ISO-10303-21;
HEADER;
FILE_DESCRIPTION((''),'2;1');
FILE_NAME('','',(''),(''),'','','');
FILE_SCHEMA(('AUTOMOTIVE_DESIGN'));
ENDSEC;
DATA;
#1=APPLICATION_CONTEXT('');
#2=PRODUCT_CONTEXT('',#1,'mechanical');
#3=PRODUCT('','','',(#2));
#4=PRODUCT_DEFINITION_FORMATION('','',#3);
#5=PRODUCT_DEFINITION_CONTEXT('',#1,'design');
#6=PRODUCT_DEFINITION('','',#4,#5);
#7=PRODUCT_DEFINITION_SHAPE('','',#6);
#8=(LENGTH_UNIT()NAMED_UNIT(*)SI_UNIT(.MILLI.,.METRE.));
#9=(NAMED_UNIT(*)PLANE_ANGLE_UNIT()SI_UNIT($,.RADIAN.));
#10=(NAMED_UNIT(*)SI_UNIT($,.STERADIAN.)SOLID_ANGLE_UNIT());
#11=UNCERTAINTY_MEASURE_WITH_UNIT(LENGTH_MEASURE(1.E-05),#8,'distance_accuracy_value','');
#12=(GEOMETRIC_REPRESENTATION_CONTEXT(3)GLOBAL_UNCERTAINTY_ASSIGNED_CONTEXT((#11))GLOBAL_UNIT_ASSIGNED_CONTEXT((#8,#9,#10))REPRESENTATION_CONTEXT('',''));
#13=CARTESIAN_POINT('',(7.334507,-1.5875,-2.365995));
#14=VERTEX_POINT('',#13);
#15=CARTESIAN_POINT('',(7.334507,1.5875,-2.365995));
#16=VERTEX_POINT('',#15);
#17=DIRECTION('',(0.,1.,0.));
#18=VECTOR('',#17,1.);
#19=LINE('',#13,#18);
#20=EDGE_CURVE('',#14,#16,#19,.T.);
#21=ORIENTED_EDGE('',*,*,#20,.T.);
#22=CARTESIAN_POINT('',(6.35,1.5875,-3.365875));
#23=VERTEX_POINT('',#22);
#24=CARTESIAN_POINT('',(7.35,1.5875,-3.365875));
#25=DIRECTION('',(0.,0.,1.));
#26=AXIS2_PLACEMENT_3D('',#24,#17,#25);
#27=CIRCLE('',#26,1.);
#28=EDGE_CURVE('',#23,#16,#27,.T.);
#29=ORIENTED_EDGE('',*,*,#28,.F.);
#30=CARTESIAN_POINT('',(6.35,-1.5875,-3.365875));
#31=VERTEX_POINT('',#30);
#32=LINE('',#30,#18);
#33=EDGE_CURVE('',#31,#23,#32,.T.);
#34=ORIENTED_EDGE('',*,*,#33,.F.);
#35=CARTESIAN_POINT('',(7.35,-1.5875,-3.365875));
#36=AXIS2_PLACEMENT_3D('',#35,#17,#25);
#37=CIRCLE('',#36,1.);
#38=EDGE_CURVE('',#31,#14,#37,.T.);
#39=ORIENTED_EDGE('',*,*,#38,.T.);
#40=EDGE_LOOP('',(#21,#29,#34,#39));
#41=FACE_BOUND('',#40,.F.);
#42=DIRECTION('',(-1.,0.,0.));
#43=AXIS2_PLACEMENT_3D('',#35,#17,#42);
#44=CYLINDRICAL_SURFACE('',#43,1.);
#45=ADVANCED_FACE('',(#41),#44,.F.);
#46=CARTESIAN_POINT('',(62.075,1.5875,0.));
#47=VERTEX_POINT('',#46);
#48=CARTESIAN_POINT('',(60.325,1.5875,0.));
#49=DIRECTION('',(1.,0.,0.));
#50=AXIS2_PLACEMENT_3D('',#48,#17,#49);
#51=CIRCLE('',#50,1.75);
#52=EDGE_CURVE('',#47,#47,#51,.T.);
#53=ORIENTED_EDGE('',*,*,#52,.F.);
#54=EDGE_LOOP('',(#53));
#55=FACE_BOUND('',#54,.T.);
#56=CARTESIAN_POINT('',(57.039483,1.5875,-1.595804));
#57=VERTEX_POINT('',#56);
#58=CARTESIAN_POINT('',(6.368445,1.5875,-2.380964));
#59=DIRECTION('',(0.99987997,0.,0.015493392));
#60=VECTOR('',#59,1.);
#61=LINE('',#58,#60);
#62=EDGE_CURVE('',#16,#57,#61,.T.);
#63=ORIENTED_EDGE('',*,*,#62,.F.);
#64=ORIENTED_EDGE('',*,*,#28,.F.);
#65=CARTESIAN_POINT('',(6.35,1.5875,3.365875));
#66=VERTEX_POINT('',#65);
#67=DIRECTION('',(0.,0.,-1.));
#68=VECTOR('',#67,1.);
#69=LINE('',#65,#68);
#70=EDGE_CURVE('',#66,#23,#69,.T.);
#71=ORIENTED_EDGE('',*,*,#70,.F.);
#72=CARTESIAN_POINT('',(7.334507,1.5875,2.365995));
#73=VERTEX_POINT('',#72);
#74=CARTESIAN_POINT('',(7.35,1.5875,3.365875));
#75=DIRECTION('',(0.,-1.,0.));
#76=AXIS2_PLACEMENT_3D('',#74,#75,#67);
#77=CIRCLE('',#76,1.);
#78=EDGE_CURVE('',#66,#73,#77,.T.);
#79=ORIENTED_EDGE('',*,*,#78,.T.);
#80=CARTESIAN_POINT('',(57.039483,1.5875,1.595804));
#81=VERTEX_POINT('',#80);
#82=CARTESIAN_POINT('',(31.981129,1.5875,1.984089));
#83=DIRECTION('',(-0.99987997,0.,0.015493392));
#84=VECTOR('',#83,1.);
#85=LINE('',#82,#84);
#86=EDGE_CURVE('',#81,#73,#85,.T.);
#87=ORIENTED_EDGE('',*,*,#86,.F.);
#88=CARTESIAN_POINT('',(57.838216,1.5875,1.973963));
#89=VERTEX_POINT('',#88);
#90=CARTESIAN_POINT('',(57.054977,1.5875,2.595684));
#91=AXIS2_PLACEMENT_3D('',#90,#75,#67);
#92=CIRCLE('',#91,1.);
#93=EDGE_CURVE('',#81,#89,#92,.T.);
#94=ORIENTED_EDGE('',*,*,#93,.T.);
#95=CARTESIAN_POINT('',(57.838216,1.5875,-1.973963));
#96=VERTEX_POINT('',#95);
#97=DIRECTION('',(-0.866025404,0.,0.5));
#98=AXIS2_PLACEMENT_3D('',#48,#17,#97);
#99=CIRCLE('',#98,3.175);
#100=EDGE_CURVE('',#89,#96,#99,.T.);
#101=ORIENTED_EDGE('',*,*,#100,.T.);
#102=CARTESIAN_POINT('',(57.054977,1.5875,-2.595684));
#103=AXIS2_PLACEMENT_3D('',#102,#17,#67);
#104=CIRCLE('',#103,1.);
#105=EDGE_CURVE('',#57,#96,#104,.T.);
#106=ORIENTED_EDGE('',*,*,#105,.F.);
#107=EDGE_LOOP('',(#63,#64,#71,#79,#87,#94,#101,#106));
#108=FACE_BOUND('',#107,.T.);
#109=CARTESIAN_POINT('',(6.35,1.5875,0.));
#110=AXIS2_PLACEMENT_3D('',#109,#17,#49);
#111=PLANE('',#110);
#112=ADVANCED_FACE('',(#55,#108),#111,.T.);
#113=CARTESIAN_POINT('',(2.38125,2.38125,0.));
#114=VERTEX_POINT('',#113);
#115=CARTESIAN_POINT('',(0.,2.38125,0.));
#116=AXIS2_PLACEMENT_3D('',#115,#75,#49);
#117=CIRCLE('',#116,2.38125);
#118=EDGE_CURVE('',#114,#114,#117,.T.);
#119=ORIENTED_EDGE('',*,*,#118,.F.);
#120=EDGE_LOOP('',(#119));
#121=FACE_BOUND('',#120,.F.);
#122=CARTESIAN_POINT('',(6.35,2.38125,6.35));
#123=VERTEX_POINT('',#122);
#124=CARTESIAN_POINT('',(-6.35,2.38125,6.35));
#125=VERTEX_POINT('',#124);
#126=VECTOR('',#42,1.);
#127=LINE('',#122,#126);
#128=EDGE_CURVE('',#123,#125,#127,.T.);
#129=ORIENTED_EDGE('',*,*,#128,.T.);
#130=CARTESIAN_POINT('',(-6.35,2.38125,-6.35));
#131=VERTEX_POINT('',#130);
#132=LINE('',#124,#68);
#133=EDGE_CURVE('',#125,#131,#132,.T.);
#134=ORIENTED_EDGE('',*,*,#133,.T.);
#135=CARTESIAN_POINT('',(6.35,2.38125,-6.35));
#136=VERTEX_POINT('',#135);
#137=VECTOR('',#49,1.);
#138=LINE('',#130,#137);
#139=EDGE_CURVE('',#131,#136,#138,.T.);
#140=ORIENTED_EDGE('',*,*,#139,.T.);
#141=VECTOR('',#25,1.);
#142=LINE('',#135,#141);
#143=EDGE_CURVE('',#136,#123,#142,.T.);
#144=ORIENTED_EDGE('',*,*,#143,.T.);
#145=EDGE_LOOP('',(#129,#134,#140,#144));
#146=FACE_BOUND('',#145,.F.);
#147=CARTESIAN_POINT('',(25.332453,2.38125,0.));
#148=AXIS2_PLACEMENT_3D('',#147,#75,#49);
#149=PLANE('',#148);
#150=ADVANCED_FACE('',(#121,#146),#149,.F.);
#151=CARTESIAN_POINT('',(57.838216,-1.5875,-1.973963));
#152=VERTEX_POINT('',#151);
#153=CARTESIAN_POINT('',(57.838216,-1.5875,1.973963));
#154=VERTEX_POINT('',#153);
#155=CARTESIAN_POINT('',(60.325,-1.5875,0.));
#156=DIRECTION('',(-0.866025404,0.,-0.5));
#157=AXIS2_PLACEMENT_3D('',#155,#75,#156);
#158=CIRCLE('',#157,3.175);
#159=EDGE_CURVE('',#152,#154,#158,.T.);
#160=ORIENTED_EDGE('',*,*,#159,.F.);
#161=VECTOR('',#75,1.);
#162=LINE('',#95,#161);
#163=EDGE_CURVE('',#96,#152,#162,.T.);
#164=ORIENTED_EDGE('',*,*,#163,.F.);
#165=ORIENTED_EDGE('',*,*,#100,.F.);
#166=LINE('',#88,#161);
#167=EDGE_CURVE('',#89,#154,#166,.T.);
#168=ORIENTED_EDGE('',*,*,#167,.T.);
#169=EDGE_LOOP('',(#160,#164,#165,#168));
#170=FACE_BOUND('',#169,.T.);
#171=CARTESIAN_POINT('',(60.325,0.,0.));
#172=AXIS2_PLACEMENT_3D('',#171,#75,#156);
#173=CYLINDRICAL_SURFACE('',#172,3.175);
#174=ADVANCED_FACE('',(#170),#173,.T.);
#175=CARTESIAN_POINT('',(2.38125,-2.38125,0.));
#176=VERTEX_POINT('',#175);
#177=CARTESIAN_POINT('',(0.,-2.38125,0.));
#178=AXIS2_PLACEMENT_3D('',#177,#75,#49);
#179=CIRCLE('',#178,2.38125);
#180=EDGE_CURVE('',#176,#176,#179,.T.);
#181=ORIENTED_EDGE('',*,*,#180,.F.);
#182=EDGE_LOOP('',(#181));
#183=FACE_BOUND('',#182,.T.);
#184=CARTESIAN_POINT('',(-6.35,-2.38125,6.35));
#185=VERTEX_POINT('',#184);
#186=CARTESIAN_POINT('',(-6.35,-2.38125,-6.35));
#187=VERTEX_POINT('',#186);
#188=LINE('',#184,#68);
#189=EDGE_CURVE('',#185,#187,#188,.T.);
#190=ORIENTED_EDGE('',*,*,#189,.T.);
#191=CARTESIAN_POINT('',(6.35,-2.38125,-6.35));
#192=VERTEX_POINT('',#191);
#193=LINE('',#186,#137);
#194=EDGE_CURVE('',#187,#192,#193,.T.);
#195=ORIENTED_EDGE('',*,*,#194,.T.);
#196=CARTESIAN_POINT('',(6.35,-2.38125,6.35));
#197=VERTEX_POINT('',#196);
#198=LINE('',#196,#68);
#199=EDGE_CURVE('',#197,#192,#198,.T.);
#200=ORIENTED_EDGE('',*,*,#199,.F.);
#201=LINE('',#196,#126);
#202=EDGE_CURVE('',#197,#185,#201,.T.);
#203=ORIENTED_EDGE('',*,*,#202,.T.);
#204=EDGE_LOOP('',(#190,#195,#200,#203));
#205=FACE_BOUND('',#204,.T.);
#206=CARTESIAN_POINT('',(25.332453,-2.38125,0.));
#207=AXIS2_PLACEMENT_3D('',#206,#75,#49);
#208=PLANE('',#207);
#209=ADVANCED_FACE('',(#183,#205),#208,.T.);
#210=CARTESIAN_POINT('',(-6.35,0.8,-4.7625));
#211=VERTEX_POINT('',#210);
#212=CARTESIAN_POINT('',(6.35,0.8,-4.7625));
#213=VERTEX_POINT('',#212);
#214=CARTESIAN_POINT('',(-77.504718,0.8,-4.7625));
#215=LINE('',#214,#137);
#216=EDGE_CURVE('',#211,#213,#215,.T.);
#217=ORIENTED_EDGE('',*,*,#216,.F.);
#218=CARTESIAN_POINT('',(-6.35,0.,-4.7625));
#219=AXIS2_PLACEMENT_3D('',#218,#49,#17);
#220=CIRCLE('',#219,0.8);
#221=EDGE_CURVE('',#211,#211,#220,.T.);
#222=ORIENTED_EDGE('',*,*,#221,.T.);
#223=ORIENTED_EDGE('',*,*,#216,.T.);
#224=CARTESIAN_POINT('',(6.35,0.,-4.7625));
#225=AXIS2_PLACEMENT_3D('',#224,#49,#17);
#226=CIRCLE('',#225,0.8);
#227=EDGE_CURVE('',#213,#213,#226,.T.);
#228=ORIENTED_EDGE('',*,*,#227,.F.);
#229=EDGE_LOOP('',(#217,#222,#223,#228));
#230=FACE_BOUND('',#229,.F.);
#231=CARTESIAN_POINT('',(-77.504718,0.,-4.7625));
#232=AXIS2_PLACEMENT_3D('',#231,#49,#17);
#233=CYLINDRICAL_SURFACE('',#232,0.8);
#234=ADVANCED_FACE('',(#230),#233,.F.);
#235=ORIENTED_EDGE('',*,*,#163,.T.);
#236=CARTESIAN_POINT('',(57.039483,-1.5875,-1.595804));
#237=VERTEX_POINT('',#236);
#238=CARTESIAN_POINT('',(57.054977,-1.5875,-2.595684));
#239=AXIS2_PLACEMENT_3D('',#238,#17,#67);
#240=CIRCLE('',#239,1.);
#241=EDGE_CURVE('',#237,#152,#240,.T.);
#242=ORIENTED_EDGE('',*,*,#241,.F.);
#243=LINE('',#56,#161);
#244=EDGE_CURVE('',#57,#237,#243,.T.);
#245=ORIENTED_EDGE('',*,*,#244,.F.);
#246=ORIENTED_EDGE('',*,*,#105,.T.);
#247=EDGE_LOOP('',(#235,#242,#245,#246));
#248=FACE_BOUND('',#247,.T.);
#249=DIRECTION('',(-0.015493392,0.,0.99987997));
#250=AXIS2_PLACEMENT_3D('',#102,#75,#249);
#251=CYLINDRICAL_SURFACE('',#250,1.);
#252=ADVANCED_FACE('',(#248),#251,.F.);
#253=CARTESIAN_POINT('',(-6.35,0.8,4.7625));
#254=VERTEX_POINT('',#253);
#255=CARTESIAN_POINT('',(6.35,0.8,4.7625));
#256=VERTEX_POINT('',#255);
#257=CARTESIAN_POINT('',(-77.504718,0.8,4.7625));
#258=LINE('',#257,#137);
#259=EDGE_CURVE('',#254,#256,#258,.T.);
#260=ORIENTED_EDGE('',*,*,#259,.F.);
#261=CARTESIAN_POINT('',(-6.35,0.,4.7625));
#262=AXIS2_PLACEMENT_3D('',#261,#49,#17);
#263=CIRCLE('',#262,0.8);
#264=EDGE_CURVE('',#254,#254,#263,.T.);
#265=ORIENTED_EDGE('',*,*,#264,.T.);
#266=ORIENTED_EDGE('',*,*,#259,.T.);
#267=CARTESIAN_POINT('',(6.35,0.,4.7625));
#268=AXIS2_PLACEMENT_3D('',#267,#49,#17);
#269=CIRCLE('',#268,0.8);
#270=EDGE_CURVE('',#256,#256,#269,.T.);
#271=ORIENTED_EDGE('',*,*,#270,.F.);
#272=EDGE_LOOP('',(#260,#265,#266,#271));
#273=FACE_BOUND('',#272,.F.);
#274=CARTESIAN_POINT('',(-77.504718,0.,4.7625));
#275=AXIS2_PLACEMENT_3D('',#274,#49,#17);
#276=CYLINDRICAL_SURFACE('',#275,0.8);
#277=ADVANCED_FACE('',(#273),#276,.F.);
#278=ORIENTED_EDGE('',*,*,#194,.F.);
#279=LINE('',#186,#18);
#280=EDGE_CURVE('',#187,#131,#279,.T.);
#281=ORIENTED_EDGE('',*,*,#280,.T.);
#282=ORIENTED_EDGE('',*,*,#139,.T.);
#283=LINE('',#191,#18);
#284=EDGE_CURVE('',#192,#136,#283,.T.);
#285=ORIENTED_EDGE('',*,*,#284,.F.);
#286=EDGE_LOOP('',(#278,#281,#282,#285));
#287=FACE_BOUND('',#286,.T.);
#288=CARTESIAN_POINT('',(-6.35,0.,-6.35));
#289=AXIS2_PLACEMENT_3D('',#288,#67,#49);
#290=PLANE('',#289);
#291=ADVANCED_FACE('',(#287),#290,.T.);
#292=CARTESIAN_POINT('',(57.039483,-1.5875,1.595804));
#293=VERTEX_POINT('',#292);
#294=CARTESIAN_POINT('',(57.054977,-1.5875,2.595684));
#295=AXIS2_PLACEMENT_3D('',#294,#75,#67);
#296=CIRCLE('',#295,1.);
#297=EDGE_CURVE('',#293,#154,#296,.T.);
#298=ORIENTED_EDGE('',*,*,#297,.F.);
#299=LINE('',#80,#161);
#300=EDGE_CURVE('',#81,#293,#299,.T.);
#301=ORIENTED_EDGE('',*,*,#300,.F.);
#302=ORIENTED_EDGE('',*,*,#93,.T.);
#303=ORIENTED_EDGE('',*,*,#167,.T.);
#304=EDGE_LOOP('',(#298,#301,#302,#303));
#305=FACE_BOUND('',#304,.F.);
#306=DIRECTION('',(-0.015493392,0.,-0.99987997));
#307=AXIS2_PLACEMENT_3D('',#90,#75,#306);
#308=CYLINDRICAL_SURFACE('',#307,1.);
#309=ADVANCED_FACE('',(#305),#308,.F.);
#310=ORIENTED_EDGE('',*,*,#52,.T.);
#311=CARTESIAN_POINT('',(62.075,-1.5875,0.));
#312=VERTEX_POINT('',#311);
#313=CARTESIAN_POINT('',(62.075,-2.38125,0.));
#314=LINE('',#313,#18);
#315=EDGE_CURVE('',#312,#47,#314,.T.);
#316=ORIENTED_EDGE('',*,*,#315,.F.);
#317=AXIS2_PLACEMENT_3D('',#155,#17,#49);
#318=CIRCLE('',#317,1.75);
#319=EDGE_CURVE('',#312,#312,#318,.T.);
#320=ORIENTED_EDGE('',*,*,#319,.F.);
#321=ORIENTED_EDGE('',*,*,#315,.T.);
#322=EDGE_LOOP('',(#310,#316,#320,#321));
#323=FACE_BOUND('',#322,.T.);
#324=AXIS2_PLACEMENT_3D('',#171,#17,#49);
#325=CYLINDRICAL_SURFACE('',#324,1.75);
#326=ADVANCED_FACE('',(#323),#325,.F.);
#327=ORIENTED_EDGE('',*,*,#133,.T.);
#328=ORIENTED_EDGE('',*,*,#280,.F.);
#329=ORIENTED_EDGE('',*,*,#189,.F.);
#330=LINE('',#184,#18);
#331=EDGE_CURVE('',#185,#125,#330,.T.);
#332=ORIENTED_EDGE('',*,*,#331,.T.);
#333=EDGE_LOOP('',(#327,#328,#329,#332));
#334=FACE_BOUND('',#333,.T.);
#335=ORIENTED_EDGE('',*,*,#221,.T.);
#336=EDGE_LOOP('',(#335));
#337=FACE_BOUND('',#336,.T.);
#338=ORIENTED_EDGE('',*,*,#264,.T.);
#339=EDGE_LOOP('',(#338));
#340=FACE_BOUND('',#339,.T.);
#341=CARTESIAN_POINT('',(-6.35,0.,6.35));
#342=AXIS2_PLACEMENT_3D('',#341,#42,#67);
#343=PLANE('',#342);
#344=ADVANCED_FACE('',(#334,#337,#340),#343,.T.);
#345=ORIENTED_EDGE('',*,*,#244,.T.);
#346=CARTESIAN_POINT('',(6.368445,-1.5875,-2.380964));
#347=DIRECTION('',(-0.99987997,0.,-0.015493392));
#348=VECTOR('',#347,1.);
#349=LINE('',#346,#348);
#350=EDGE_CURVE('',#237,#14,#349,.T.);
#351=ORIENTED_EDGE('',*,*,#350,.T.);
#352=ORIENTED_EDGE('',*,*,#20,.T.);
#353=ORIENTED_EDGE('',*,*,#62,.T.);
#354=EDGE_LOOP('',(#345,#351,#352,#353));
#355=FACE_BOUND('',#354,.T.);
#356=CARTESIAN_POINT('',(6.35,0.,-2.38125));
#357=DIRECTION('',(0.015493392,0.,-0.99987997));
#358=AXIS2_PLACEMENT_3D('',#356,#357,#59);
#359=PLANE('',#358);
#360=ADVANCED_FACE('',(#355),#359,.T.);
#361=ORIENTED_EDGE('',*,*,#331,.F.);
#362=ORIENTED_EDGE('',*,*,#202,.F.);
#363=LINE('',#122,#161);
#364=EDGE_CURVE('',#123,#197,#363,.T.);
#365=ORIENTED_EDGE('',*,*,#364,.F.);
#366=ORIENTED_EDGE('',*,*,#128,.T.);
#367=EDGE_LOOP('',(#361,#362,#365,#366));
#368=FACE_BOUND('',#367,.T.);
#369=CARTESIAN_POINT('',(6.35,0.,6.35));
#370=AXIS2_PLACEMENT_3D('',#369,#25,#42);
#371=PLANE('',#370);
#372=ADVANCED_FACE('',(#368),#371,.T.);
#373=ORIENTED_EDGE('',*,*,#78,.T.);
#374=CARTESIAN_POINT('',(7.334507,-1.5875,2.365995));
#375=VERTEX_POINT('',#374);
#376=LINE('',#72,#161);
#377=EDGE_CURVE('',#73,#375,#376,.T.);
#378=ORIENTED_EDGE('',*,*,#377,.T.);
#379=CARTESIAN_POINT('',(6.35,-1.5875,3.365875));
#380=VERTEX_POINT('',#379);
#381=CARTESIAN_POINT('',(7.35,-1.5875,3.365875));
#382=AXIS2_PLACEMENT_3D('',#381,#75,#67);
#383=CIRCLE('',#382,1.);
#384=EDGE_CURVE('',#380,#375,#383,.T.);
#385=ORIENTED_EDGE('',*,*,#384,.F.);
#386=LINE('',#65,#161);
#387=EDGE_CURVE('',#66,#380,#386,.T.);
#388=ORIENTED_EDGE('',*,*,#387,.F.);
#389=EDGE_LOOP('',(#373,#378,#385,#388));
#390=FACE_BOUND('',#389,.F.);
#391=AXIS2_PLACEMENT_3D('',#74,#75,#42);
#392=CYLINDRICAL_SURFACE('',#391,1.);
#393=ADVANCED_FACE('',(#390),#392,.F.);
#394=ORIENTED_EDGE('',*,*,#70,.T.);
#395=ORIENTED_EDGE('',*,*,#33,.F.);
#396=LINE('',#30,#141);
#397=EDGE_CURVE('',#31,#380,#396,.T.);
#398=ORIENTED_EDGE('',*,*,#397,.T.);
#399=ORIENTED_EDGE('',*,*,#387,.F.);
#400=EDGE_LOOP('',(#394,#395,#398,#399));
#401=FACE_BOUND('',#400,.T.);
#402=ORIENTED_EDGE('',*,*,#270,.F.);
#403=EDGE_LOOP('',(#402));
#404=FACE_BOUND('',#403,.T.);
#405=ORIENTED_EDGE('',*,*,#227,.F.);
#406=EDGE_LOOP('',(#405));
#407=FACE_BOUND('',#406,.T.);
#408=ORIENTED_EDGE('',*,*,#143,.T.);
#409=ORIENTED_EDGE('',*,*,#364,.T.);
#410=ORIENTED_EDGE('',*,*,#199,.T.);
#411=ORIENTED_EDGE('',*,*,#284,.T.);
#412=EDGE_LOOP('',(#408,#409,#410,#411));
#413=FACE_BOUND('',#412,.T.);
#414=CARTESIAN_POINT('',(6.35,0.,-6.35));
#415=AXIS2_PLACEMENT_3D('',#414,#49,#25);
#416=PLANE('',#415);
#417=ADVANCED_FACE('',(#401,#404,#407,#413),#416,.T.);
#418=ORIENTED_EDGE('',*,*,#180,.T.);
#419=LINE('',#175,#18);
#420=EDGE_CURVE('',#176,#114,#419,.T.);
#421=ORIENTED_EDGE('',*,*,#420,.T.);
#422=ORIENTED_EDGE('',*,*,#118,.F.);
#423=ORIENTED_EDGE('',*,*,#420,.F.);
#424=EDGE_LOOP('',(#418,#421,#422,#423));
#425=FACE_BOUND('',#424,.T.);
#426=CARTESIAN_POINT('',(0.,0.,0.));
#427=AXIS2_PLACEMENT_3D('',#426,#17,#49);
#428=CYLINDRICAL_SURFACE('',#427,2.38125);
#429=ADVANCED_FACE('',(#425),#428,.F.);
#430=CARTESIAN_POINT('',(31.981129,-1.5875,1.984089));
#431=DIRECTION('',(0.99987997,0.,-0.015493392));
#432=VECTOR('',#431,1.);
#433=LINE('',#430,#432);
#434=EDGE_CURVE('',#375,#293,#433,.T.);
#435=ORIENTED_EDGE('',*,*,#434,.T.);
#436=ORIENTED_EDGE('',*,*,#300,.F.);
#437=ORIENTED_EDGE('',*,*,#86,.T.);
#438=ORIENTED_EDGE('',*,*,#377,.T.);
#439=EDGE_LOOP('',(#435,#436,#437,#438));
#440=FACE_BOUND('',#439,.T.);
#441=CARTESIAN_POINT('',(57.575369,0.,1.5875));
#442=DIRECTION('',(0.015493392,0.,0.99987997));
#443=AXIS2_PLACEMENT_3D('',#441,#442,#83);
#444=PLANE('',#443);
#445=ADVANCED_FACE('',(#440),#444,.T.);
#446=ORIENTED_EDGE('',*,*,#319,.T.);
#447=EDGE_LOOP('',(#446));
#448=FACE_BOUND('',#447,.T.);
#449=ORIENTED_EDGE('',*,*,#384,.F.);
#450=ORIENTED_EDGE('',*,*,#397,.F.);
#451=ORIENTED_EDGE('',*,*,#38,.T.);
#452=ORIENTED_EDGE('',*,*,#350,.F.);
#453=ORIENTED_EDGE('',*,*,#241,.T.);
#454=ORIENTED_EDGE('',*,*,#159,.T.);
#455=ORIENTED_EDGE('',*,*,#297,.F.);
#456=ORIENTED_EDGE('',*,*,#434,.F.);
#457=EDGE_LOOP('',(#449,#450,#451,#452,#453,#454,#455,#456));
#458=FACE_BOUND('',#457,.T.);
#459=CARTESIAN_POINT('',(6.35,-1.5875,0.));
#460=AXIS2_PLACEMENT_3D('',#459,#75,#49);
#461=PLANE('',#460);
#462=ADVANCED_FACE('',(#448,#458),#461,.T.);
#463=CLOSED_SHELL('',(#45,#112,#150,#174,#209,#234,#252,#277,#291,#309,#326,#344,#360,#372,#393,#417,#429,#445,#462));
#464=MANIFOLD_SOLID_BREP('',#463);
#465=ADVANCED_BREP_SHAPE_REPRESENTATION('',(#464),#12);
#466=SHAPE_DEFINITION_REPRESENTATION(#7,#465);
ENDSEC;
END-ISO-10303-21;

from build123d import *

# Parameters (mm, degrees)
F0_R     = 2.38125
F0_R_2   = 1.75
F1_DEPTH = 2.38125
F2_W     = 57.15
F2_H     = 0.79375
F3_DEPTH = 12.5
F5_D     = 1.6
F6_R     = 1


with BuildPart() as f1:
    # F0 (on Front) → F1 (new body, symmetric)
    with BuildSketch(Plane.XZ):
        with BuildLine():
            Line((6.35, -2.38125), (57.575369343, -1.5875))
            ThreePointArc((57.575369343, -1.5875), (63.5, 0), (57.575369343, 1.5875))
            Line((57.575369343, 1.5875), (6.35, 2.38125))
            Line((6.35, 2.38125), (6.35, 6.35))
            Line((6.35, 6.35), (-6.35, 6.35))
            Line((-6.35, 6.35), (-6.35, -6.35))
            Line((-6.35, -6.35), (6.35, -6.35))
            Line((6.35, -6.35), (6.35, -2.38125))
        make_face()
        Circle(F0_R, mode=Mode.SUBTRACT)
        with Locations((60.325, 0)):
            Circle(F0_R_2, mode=Mode.SUBTRACT)
    extrude(amount=F1_DEPTH, both=True)

    # F2 (on Top) → F3 (cut, symmetric)
    with BuildSketch(Plane.XY):
        with Locations((34.925, 1.984375)):
            Rectangle(F2_W, F2_H)
        with Locations((34.925, -1.984375)):
            Rectangle(F2_W, F2_H)
    extrude(amount=F3_DEPTH, both=True, mode=Mode.SUBTRACT)

    # F5 (through all)
    with Locations(Plane(origin=(-6.35, 0, 0), x_dir=(0, -1, 0), z_dir=(-1, 0, 0))):
        with Locations((0, 4.7625), (0, -4.7625)):
            Hole(F5_D / 2)

    # F6
    f6_edges = [f1.edges().sort_by_distance(p)[0] for p in [
        (6.35, 0, 2.38125),
        (6.35, 0, -2.38125),
        (57.575369, 0, 1.5875),
        (57.575369, 0, -1.5875),
    ]]
    fillet(f6_edges, radius=F6_R)


solid = f1.part
